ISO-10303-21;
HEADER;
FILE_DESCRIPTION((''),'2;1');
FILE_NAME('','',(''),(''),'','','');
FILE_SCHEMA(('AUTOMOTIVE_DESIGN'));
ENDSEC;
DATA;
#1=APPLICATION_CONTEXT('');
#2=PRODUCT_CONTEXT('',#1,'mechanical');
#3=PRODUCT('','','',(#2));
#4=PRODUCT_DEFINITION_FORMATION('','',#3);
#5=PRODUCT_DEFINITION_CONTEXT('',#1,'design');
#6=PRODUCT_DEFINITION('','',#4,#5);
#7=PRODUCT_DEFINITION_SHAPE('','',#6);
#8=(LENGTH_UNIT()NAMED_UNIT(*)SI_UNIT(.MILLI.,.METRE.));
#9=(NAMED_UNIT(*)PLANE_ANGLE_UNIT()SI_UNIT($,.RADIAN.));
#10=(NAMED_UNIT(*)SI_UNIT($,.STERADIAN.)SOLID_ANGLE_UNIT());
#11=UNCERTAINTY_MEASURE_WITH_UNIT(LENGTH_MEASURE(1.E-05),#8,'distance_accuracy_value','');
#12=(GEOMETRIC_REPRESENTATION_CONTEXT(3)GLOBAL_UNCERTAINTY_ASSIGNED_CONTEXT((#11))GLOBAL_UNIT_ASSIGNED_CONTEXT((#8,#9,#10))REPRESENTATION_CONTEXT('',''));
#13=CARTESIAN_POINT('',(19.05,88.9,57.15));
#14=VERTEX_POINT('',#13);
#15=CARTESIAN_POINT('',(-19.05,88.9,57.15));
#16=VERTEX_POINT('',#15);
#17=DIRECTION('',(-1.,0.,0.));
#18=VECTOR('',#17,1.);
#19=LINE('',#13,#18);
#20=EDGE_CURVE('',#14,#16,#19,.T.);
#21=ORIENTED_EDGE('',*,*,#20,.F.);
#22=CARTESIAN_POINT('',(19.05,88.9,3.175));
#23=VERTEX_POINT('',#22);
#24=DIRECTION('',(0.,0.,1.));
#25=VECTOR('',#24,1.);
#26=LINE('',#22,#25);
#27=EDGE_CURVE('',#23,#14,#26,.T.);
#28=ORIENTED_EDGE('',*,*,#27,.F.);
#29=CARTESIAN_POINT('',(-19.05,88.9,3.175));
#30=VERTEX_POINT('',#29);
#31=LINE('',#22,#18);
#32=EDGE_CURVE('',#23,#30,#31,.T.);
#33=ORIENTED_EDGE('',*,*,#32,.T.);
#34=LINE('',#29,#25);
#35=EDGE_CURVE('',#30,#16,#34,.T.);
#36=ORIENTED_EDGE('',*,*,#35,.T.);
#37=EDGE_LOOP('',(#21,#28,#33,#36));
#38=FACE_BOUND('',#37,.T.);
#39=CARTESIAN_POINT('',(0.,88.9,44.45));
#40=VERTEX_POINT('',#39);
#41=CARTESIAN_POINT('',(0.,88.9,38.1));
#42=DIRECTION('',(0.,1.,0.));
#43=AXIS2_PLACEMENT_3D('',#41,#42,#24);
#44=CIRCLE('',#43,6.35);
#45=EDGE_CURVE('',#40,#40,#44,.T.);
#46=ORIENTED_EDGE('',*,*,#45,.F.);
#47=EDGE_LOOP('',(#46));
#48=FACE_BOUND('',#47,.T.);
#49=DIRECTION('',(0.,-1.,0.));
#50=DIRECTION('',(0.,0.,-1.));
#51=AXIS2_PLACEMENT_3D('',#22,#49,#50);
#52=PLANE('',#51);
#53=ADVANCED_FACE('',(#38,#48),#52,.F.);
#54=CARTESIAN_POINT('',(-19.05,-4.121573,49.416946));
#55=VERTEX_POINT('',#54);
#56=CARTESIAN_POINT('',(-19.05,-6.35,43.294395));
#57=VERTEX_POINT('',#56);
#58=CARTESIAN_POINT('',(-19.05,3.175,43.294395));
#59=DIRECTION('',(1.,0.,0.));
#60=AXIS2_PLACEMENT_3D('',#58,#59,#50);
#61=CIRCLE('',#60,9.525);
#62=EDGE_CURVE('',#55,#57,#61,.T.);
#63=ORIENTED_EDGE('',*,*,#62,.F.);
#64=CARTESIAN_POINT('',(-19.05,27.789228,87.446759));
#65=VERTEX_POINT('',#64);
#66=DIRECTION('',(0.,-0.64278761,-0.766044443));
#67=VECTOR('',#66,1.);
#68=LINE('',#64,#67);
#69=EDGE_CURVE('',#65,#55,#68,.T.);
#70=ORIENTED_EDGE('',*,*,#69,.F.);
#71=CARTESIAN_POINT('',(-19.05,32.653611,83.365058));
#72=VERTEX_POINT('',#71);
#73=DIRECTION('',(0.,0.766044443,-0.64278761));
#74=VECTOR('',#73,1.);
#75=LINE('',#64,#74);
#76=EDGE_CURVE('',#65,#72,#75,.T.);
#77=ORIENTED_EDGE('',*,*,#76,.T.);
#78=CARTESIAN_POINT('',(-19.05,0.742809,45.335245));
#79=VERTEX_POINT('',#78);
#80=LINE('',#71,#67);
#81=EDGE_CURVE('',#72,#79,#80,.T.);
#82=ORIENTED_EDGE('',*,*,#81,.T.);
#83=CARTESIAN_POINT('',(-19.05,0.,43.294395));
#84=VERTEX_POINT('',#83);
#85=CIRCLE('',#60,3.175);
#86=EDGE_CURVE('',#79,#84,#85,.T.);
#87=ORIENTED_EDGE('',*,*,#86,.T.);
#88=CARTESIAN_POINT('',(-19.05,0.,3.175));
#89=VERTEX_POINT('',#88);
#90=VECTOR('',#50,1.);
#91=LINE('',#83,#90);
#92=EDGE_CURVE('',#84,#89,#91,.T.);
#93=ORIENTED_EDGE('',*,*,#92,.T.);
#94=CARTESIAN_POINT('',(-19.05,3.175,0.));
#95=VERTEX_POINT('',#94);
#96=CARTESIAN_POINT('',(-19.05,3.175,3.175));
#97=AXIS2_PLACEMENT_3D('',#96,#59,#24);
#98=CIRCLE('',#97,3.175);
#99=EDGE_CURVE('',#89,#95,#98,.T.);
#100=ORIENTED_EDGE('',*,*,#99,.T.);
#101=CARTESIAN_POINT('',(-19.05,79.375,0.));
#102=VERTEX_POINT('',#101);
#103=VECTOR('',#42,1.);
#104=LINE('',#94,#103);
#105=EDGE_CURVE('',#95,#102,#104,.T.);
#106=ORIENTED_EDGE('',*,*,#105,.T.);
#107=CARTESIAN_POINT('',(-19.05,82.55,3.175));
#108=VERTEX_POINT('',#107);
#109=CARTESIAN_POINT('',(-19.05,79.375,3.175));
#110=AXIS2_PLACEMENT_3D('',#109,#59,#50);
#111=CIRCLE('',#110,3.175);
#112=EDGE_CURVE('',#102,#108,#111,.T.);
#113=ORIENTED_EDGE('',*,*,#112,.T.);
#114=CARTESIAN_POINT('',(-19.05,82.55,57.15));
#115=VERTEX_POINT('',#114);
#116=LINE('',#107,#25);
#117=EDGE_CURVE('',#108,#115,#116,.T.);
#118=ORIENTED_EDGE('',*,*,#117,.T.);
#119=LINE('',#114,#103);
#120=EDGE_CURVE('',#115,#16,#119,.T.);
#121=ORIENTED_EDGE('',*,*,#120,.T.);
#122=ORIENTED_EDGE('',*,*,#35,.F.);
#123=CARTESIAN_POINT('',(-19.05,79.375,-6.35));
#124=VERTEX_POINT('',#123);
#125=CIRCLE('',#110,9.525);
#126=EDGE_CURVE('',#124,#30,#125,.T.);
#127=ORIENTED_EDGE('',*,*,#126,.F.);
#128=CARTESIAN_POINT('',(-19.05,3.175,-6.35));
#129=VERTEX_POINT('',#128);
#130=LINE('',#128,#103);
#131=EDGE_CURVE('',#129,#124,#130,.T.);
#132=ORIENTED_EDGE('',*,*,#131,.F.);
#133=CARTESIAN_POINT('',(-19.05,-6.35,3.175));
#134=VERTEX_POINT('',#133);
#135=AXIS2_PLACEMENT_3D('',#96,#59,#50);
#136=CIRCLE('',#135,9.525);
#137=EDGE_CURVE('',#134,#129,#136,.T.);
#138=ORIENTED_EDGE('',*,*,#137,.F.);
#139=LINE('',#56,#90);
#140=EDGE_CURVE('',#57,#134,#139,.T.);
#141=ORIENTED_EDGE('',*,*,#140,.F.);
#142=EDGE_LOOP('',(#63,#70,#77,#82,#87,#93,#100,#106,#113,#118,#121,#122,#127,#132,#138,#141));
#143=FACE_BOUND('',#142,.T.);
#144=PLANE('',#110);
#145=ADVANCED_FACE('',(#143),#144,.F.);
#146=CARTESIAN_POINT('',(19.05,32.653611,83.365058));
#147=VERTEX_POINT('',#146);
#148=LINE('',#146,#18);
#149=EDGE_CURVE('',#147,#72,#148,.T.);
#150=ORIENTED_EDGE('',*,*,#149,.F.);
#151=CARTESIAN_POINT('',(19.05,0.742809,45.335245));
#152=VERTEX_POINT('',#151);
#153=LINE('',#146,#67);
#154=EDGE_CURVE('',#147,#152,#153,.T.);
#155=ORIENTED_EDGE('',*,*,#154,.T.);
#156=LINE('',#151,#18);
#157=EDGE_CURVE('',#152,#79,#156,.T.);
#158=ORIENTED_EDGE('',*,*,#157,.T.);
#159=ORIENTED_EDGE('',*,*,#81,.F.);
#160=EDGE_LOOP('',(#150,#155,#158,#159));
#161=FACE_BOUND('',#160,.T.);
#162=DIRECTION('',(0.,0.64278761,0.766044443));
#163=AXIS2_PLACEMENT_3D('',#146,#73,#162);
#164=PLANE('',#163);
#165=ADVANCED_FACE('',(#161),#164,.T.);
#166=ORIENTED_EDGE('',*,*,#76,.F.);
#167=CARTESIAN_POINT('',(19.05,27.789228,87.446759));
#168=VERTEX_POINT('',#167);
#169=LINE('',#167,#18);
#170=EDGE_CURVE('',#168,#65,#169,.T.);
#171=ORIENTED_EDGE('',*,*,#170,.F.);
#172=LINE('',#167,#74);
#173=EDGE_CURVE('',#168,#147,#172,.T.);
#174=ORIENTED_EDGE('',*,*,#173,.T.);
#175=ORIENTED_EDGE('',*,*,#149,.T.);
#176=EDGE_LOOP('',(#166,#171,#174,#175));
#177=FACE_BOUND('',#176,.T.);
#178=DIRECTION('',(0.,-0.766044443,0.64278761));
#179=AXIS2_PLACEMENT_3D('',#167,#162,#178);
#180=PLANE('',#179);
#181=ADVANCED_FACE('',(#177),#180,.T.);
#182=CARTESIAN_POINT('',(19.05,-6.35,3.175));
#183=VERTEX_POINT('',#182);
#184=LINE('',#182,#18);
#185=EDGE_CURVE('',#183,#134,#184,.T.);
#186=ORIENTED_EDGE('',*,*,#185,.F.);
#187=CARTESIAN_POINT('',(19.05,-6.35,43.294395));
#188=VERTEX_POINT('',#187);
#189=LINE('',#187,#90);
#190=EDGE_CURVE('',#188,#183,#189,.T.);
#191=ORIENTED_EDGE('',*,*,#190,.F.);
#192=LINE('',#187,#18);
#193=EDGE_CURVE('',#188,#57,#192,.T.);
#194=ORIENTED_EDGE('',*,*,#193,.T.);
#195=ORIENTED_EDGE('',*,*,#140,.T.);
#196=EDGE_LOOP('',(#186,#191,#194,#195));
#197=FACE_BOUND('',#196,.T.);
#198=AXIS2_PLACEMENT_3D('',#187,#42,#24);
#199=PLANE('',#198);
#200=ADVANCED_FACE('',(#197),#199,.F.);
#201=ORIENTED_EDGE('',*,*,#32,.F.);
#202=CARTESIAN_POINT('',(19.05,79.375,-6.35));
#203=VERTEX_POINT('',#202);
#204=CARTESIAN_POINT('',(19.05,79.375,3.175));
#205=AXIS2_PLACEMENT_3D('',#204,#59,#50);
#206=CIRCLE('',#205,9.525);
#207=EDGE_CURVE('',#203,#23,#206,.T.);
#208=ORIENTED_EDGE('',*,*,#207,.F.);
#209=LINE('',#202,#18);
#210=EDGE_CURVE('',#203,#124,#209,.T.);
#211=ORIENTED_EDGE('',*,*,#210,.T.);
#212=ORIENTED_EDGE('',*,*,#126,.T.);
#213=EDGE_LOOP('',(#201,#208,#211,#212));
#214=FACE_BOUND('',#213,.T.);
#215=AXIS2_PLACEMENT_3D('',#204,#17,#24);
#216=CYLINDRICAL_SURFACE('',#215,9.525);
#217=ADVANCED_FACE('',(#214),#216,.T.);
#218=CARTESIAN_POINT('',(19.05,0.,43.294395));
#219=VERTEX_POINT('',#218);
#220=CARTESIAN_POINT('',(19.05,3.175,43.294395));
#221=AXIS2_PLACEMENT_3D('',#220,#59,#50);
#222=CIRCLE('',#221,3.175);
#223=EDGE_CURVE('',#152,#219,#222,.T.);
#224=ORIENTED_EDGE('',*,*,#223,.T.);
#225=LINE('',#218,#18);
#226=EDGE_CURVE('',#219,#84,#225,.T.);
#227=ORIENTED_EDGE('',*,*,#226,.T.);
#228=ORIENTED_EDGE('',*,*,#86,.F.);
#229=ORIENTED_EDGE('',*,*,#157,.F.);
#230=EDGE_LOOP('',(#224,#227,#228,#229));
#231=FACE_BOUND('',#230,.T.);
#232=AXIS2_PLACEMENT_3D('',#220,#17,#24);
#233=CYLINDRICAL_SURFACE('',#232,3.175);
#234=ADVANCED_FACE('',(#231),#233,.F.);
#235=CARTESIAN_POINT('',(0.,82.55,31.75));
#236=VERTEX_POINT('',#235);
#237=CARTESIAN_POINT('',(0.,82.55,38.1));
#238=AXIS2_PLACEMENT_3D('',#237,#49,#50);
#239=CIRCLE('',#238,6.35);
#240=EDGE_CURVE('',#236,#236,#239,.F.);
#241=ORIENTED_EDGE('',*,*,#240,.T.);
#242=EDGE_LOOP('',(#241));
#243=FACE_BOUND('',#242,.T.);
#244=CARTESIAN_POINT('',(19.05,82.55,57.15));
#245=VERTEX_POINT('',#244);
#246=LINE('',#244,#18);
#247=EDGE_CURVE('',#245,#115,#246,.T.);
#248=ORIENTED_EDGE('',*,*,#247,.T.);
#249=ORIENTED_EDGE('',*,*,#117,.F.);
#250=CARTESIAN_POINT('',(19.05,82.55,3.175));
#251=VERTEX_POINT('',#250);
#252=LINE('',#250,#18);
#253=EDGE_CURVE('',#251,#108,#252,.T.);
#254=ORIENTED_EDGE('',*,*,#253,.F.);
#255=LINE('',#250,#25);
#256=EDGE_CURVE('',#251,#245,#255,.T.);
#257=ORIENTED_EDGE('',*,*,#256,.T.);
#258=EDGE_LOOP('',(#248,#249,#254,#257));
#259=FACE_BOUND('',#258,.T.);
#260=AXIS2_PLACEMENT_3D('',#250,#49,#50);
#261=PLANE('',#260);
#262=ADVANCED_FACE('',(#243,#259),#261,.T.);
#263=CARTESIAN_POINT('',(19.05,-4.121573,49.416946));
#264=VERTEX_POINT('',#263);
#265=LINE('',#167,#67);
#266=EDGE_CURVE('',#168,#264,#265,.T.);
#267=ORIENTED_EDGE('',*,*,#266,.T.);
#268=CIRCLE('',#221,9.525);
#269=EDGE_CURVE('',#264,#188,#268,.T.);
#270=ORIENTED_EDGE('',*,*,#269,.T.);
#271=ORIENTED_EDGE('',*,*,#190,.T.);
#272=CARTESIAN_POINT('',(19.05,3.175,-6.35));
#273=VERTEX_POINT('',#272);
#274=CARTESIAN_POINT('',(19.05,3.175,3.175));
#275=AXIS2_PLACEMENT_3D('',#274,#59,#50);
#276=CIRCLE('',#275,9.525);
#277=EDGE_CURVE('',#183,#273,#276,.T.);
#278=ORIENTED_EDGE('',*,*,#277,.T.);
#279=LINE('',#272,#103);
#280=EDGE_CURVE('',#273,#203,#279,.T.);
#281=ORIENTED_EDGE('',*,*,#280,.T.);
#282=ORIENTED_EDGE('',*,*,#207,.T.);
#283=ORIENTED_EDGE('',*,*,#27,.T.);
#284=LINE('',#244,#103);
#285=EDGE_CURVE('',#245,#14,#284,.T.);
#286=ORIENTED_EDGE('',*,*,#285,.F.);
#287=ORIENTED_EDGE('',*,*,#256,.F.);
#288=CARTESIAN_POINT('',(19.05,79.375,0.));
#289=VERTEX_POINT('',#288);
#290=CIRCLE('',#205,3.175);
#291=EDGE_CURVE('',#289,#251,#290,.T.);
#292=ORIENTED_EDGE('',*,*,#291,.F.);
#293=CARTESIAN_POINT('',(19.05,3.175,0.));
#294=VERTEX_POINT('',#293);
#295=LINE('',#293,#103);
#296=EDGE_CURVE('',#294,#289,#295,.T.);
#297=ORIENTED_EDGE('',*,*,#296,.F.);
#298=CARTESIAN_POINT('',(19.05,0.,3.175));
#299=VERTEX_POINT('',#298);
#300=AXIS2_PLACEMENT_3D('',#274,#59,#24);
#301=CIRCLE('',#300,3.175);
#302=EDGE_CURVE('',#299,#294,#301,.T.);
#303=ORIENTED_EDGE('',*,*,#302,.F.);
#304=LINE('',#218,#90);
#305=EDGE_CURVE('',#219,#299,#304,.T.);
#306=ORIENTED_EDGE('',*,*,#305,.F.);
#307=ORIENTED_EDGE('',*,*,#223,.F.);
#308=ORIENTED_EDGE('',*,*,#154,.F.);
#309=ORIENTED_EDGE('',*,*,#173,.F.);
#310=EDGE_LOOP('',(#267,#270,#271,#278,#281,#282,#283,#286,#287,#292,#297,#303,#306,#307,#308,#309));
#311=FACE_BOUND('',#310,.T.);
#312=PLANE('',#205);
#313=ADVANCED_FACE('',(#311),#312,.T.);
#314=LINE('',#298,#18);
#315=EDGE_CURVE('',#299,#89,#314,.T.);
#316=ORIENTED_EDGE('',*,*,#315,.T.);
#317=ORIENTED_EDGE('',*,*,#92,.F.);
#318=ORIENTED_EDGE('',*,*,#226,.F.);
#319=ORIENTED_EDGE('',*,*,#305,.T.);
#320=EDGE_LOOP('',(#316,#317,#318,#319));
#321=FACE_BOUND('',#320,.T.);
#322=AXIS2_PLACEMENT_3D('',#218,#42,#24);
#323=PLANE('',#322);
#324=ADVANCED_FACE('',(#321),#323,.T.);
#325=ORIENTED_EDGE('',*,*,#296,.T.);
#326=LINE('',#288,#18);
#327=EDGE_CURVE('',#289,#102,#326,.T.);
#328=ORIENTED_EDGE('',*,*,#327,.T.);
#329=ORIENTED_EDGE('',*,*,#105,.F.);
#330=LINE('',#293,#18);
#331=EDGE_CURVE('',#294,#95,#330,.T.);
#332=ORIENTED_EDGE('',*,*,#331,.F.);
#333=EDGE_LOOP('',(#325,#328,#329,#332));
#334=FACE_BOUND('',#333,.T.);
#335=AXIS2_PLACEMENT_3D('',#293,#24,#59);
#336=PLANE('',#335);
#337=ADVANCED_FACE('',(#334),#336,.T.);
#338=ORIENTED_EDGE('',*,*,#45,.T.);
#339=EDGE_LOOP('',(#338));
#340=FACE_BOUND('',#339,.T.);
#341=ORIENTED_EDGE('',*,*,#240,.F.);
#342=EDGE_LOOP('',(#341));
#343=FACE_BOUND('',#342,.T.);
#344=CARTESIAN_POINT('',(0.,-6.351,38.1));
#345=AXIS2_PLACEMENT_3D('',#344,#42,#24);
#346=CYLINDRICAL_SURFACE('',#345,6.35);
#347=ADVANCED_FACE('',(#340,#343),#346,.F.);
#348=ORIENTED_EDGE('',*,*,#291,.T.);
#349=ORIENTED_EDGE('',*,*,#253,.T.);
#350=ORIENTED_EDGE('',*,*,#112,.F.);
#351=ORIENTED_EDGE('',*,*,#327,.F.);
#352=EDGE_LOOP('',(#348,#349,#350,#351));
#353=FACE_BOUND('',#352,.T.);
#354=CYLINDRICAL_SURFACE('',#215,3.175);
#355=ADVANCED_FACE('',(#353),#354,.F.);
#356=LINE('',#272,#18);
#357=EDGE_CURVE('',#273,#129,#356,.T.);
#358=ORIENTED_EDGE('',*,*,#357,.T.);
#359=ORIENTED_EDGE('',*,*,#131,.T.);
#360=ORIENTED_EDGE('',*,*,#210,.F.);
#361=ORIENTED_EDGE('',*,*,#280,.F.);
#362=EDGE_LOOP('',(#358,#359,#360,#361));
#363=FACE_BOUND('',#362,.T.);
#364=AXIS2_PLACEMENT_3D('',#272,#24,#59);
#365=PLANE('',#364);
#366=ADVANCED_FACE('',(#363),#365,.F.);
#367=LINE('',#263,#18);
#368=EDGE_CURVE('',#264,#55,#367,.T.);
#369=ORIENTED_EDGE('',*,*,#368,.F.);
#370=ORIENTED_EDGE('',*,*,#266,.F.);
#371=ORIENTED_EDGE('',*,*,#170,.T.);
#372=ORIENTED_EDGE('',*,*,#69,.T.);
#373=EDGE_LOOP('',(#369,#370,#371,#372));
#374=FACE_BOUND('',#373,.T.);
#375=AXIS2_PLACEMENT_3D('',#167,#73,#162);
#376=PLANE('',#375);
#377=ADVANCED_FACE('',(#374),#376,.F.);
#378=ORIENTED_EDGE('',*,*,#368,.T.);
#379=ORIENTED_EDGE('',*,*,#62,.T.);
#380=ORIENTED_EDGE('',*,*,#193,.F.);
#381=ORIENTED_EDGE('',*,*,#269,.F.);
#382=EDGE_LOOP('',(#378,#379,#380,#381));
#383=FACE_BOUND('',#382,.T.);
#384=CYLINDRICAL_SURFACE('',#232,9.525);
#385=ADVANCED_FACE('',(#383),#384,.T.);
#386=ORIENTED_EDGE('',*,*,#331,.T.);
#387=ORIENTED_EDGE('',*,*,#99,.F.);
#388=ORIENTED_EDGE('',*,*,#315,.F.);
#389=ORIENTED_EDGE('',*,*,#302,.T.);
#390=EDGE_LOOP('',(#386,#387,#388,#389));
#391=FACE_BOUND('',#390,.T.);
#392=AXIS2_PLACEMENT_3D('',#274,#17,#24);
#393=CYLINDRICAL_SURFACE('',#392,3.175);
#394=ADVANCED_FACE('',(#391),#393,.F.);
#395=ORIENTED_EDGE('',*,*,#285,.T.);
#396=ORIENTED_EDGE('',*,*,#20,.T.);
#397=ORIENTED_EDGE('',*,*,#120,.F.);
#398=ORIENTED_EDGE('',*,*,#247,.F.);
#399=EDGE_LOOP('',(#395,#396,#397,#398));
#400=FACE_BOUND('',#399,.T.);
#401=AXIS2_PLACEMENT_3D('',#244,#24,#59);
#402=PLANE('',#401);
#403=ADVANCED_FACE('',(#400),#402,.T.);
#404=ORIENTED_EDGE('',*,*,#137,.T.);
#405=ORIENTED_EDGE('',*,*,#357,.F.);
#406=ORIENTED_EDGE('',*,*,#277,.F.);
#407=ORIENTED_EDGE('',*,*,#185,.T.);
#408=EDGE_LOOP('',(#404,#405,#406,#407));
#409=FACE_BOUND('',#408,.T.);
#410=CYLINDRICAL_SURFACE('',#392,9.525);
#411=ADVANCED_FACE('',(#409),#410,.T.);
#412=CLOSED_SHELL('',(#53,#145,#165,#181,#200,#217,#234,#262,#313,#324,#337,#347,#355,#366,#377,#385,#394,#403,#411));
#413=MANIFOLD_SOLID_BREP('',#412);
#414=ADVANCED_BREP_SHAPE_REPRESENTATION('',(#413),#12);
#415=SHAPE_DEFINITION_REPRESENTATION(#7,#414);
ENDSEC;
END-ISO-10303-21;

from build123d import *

# Parameters (mm, degrees)
BASE_EXTRUDE_THIN_DEPTH = 19.05
CUT_EXTRUDE1_REACH      = 132.7
SKETCH2_R               = 6.35


with BuildPart() as part:
    # Sketch1 → Base-Extrude-Thin (new, symmetric)
    with BuildSketch(Plane(origin=(0, 0, 0), x_dir=(0, 0, -1), z_dir=(1, 0, 0))):
        with BuildLine():
            Line((-83.36505771, 32.653610572), (-45.335245167, 0.742808893))
            ThreePointArc((-45.335245167, 0.742808893), (-44.380308461, 0.191475929), (-43.294394506, 0))
            Line((-43.294394506, 0), (-3.175, 0))
            ThreePointArc((-3.175, 0), (-0.92993597, 0.92993597), (0, 3.175))
            Line((0, 3.175), (0, 79.375))
            ThreePointArc((0, 79.375), (-0.92993597, 81.62006403), (-3.175, 82.55))
            Line((-3.175, 82.55), (-57.15, 82.55))
            Line((-57.15, 82.55), (-57.15, 88.9))
            Line((-57.15, 88.9), (-3.175, 88.9))
            ThreePointArc((-3.175, 88.9), (3.560192091, 86.110192091), (6.35, 79.375))
            Line((6.35, 79.375), (6.35, 3.175))
            ThreePointArc((6.35, 3.175), (3.560192091, -3.560192091), (-3.175, -6.35))
            Line((-3.175, -6.35), (-43.294394506, -6.35))
            ThreePointArc((-43.294394506, -6.35), (-46.552136371, -5.775572213), (-49.416946488, -4.121573321))
            Line((-49.416946488, -4.121573321), (-87.446759032, 27.789228358))
            Line((-87.446759032, 27.789228358), (-83.36505771, 32.653610572))
        make_face()
    extrude(amount=BASE_EXTRUDE_THIN_DEPTH, both=True)

    # Sketch2 → Cut-Extrude1 (cut, up to next)
    with BuildSketch(Plane(origin=(0, 88.9, 0), x_dir=(-1, 0, 0), z_dir=(0, 1, 0)), mode=Mode.PRIVATE) as cut_extrude1_sk1:
        with Locations(Location((0, 38.1, 0), (0, 0, 90))):
            Circle(SKETCH2_R)
    cut_extrude1_tool1 = extrude(cut_extrude1_sk1.sketch, amount=-CUT_EXTRUDE1_REACH, mode=Mode.PRIVATE) & part.part
    add(cut_extrude1_tool1.solids().sort_by_distance((0, 88.9, 38.1))[0], mode=Mode.SUBTRACT)


solid = part.part
